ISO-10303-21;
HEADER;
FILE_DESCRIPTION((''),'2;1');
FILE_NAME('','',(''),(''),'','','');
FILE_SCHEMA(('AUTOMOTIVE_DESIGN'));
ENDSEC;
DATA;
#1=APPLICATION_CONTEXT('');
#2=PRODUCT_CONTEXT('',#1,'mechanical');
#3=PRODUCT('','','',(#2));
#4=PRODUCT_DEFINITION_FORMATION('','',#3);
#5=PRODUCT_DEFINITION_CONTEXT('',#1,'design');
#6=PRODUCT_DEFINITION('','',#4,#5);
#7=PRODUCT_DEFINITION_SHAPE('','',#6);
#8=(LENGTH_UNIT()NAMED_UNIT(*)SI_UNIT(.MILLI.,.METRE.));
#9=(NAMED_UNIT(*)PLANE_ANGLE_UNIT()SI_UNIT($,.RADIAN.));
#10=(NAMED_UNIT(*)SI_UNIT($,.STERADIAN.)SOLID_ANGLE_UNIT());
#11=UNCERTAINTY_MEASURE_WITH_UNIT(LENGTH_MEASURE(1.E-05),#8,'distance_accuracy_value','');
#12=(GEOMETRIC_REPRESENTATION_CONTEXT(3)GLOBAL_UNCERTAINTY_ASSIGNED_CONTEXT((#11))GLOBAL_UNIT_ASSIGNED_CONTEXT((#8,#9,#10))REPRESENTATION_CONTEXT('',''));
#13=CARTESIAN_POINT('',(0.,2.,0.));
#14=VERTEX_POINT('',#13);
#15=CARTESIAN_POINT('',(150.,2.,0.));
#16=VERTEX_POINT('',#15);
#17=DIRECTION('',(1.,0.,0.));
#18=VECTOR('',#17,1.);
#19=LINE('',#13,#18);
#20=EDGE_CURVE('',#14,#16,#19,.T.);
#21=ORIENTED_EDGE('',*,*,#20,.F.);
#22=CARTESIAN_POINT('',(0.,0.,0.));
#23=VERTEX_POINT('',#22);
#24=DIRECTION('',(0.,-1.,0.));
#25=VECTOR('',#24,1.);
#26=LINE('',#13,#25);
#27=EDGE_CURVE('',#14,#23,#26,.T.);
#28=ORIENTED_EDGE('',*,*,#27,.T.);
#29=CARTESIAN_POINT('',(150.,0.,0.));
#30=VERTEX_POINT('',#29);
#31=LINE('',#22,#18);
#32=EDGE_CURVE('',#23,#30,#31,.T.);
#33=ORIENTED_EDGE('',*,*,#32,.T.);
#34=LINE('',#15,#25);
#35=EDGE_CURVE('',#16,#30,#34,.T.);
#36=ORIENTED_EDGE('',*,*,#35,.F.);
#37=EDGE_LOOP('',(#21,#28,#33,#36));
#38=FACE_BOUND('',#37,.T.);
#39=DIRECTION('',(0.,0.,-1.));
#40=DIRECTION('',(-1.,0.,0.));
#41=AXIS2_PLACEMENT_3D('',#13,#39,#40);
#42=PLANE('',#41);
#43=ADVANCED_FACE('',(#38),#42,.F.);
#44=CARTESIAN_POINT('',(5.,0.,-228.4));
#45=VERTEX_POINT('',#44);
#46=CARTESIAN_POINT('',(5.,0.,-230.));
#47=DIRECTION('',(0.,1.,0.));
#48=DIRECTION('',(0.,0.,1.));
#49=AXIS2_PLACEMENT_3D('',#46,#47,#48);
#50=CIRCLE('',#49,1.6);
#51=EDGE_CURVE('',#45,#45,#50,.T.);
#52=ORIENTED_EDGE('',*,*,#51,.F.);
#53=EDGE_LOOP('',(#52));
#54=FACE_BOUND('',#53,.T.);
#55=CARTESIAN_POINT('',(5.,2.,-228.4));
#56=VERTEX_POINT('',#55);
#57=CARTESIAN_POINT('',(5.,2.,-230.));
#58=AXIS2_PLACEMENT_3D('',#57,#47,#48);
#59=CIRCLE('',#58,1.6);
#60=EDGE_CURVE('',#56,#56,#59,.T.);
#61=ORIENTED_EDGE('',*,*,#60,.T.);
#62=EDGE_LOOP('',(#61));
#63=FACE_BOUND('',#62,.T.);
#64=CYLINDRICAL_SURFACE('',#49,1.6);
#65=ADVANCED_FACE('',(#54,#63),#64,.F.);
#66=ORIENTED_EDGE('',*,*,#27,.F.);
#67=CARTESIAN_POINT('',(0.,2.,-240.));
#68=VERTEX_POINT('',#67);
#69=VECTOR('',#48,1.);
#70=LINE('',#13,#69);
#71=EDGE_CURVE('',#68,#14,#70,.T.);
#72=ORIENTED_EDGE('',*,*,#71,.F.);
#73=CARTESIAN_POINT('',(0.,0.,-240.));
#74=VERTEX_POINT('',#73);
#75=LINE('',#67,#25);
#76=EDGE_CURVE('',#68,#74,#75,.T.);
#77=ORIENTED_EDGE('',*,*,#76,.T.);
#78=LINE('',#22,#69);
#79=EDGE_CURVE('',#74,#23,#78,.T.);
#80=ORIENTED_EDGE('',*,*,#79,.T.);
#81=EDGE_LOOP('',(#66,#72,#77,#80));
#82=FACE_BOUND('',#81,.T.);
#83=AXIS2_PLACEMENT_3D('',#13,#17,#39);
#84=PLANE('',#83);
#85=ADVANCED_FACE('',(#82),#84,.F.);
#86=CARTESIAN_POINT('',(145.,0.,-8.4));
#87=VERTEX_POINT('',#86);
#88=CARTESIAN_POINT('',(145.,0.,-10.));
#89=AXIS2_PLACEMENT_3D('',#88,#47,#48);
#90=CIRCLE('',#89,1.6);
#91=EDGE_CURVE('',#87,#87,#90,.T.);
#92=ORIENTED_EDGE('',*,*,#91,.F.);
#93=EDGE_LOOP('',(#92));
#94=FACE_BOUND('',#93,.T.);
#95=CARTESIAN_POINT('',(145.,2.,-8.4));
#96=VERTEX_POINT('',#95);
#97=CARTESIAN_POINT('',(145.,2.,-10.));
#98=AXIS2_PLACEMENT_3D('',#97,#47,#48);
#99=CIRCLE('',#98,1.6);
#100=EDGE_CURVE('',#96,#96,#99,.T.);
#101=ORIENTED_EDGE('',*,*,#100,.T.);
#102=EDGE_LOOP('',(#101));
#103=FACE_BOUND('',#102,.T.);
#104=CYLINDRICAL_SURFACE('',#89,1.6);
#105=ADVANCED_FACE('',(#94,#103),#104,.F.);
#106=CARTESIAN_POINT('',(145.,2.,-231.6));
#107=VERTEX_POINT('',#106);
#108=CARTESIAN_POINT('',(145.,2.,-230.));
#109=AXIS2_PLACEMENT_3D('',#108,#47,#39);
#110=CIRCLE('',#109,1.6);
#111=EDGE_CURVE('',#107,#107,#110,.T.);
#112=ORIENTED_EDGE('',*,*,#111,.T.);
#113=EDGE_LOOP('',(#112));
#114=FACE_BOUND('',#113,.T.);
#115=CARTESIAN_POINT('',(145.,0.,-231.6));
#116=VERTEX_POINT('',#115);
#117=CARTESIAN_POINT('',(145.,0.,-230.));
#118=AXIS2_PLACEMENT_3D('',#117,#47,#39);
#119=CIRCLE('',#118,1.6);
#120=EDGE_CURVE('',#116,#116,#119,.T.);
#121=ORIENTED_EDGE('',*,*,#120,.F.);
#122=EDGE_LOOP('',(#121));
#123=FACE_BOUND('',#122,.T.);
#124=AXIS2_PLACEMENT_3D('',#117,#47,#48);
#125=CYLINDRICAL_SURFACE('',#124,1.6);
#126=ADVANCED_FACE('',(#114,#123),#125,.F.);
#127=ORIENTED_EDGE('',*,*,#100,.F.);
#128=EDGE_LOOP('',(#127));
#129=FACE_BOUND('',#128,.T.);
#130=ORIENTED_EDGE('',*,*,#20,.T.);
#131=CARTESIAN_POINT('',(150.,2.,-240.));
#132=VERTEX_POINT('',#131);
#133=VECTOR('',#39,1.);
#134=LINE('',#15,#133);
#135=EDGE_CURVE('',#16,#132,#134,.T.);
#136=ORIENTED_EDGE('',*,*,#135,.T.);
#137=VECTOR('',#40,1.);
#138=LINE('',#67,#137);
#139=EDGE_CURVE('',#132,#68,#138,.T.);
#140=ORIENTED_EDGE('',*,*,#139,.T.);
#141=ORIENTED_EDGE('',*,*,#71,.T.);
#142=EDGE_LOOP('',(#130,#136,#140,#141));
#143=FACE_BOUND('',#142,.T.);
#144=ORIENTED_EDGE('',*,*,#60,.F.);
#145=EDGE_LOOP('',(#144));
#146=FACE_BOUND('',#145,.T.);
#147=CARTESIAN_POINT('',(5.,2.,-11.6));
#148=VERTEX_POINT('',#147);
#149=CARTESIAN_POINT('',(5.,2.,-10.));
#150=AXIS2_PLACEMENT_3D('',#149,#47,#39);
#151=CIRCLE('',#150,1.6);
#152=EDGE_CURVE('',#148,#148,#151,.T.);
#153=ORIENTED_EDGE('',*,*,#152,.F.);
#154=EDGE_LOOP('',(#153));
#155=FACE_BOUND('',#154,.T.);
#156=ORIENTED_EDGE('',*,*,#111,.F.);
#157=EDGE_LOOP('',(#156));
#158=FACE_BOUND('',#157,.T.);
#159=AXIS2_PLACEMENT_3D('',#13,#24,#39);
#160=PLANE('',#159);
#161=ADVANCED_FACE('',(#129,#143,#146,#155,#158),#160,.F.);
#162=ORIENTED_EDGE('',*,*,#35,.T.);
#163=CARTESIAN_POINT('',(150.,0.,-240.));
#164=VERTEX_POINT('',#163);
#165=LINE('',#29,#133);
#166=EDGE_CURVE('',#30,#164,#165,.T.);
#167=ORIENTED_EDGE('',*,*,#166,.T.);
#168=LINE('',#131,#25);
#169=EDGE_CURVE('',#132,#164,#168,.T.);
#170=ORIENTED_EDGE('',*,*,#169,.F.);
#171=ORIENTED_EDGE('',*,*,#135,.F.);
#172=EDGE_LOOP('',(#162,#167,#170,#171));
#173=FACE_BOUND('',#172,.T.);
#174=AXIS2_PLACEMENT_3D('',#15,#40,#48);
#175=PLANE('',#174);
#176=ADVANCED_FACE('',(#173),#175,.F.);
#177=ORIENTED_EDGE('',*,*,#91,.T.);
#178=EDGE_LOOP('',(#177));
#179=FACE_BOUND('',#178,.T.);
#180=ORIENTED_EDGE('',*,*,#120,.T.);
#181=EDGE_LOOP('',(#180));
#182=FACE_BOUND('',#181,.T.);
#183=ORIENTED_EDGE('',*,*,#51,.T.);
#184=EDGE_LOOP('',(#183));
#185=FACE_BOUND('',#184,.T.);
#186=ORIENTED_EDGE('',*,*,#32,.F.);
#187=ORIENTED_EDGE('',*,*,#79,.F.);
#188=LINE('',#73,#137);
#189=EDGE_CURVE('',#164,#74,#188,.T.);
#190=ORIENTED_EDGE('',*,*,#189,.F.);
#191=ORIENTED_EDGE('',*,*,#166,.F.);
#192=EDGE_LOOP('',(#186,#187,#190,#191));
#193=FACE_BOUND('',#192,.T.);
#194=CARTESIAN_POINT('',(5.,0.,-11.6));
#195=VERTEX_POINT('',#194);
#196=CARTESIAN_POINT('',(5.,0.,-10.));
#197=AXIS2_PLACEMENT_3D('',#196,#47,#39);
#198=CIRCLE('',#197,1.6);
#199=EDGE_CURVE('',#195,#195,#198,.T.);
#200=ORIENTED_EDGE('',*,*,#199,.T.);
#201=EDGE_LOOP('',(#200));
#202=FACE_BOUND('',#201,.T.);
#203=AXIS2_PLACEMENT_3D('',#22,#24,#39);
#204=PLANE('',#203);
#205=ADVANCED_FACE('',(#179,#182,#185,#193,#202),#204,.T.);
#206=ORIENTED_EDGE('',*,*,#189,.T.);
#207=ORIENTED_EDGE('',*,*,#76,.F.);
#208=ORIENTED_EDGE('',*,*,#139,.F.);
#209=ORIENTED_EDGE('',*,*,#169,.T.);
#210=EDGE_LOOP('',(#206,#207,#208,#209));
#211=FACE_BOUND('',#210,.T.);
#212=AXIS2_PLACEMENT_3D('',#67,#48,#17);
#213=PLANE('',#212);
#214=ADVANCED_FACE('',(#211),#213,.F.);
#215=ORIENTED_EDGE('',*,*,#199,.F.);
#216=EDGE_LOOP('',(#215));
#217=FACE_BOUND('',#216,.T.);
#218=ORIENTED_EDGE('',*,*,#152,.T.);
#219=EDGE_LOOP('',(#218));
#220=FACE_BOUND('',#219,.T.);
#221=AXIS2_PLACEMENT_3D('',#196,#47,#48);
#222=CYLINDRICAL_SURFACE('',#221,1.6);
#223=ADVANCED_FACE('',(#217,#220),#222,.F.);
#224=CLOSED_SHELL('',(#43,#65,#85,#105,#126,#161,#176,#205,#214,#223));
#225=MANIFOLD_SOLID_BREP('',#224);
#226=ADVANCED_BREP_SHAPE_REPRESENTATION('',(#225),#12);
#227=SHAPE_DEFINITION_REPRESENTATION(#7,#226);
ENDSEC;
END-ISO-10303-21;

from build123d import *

# Parameters (mm, degrees)
SKETCH_1_W          = 150
SKETCH_1_H          = 240
EXTRUDE_1_DEPTH     = 2
SKETCH_2_R          = 1.6
CUT_EXTRUDE_1_DEPTH = 284.026500526


with BuildPart() as part:
    # Эскиз1 → Бобышка-Вытянуть1 (new body)
    with BuildSketch(Plane(origin=(0, 0, 0), x_dir=(1, 0, 0), z_dir=(0, 1, 0))):
        with Locations((75, 120)):
            Rectangle(SKETCH_1_W, SKETCH_1_H)
    extrude(amount=EXTRUDE_1_DEPTH)

    # Эскиз2 → Вырез-Вытянуть1 (cut, through all)
    with BuildSketch(Plane(origin=(0, 2, 0), x_dir=(1, 0, 0), z_dir=(0, 1, 0))):
        with Locations(Location((5, 230, 0), (0, 0, 270))):
            Circle(SKETCH_2_R)
        with Locations(Location((145, 230, 0), (0, 0, 90))):
            Circle(SKETCH_2_R)
        with Locations(Location((145, 10, 0), (0, 0, 270))):
            Circle(SKETCH_2_R)
        with Locations(Location((5, 10, 0), (0, 0, 90))):
            Circle(SKETCH_2_R)
    extrude(amount=-CUT_EXTRUDE_1_DEPTH, mode=Mode.SUBTRACT)


solid = part.part
